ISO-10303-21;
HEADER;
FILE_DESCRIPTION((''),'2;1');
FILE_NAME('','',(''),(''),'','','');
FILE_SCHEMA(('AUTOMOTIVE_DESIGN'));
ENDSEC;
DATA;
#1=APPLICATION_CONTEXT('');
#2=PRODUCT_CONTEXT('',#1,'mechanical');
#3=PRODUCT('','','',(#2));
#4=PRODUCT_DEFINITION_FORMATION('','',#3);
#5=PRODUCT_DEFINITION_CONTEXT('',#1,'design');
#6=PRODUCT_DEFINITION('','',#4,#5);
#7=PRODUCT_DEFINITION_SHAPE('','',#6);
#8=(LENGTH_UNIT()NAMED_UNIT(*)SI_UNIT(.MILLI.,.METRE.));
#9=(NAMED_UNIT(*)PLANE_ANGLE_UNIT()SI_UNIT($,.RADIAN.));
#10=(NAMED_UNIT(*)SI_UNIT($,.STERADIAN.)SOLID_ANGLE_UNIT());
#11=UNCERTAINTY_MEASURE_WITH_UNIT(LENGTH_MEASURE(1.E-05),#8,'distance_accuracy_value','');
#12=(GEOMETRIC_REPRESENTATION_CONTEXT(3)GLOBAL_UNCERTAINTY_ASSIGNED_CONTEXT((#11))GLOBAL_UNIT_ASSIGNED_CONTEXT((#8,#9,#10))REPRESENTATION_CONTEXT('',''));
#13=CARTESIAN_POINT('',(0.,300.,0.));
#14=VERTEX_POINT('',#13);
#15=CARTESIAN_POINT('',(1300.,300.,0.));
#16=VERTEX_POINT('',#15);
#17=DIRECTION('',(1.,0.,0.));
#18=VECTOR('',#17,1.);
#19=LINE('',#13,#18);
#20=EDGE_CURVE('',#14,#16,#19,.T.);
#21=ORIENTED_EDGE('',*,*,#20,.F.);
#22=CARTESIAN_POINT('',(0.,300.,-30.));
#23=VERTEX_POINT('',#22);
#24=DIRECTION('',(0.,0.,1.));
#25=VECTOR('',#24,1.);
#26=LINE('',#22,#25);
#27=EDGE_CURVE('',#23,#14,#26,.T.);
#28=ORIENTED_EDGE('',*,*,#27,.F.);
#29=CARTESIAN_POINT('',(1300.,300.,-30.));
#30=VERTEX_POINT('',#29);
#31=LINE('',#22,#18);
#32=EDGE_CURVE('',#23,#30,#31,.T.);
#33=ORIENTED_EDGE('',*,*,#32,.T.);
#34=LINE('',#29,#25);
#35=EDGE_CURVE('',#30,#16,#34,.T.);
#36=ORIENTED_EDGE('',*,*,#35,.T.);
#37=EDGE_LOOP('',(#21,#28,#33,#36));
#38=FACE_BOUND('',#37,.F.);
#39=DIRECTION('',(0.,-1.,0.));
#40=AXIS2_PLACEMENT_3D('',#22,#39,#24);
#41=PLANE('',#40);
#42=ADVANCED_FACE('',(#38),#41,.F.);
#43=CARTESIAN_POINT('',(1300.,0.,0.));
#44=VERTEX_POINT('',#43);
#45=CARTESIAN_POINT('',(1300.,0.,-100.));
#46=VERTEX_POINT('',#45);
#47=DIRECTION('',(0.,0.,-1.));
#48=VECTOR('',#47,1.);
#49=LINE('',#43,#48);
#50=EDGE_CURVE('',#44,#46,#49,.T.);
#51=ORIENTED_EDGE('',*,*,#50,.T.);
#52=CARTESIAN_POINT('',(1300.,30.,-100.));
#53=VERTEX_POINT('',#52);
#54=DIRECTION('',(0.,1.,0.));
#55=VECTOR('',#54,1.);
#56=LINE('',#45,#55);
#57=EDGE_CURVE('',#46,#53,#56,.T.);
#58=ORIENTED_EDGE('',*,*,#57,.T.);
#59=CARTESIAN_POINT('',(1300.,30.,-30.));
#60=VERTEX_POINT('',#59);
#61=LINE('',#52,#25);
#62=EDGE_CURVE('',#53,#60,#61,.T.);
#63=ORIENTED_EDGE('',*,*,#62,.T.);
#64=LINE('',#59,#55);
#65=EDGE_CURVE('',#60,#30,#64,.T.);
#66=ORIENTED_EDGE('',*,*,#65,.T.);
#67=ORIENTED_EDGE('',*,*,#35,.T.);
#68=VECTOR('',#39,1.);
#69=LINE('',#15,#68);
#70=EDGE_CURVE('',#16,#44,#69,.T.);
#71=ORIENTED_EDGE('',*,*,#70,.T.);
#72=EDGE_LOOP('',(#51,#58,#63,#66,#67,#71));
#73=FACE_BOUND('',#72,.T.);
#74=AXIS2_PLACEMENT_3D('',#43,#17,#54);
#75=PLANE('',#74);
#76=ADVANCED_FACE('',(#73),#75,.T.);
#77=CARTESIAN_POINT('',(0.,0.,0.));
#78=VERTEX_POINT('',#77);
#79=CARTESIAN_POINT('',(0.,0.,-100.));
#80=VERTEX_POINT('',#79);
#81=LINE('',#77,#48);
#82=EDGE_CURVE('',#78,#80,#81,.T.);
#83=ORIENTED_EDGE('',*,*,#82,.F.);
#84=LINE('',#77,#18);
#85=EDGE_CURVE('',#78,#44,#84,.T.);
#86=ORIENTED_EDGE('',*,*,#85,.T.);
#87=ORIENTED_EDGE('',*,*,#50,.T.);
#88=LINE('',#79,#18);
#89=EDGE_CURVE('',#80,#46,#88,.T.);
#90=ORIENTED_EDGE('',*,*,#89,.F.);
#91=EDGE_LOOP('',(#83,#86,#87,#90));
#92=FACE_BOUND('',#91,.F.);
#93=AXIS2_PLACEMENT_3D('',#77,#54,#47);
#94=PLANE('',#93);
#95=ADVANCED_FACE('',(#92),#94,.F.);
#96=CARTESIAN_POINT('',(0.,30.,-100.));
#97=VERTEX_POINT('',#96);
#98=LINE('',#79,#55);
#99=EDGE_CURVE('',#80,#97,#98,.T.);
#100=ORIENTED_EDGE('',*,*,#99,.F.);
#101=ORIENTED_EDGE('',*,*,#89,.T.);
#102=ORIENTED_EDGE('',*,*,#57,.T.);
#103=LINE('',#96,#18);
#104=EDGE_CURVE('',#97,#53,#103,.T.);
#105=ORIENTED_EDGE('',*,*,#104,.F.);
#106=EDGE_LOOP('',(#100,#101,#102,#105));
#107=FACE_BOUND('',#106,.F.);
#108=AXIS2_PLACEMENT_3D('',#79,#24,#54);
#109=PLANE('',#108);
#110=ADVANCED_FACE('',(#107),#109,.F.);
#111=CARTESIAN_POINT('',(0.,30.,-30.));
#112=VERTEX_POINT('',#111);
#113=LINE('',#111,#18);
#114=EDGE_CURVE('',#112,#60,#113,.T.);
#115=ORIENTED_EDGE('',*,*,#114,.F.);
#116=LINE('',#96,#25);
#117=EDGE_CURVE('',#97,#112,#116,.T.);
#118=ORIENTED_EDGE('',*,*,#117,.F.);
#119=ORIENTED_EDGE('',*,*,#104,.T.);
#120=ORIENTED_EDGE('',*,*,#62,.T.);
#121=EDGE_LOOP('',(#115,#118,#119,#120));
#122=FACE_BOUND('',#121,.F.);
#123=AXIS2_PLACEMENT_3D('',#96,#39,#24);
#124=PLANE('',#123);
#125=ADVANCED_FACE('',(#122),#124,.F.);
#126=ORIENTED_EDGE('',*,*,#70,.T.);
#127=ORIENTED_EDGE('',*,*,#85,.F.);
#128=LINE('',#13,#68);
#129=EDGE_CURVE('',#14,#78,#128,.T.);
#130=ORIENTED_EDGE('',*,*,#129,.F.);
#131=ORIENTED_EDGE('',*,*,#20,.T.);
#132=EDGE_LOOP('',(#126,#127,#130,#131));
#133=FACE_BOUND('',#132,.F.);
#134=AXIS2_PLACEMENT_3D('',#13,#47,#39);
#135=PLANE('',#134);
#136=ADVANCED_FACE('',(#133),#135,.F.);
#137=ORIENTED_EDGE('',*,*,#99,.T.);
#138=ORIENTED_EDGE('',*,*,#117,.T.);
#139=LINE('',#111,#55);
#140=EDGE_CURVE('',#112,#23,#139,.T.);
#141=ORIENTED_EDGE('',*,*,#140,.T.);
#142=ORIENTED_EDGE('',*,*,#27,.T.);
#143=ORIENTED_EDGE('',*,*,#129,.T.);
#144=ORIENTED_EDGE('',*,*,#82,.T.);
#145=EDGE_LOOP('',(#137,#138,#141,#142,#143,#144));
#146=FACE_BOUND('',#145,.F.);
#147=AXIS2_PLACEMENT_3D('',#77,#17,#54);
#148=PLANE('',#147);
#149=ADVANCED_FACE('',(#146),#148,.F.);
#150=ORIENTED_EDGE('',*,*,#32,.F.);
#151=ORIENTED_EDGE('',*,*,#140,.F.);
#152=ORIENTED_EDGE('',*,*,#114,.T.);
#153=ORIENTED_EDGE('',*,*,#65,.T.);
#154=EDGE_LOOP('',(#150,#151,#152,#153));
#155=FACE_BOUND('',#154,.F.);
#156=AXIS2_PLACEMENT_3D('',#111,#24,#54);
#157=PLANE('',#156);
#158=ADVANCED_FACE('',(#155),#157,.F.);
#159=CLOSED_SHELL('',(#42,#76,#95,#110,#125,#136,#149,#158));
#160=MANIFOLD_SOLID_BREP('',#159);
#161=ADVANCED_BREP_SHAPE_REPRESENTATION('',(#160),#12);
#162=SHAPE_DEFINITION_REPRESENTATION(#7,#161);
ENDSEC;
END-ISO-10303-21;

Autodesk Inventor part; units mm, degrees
ref_plane "YZ Plane" through (0, 0, 0) normal (1, 0, 0) x (0, 1, 0)
ref_plane "XZ Plane" through (0, 0, 0) normal (0, 1, 0) x (-1, 0, 0)
ref_plane "XY Plane" through (0, 0, 0) normal (0, 0, 1) x (1, 0, 0)
sketch "Skizze1" plane through (0, 0, 0) normal (1, 0, 0) x (0, 1, 0)
  line L0 (0, 0) -> (0, -100)
  line L1 (0, -100) -> (30, -100)
  line L2 (30, -100) -> (30, -30)
  line L3 (30, -30) -> (300, -30)
  line L4 (300, -30) -> (300, 0)
  line L5 (300, 0) -> (0, 0)
  dimension "d0" = 100
  dimension "d1" = 300
  dimension "d2" = 30
  dimension "d3" = 30
extrude "Extrusion1" add sketch "Skizze1" along normal blind 1300
equation "\"d3\" = d2"
properties part number "Seitboard"
